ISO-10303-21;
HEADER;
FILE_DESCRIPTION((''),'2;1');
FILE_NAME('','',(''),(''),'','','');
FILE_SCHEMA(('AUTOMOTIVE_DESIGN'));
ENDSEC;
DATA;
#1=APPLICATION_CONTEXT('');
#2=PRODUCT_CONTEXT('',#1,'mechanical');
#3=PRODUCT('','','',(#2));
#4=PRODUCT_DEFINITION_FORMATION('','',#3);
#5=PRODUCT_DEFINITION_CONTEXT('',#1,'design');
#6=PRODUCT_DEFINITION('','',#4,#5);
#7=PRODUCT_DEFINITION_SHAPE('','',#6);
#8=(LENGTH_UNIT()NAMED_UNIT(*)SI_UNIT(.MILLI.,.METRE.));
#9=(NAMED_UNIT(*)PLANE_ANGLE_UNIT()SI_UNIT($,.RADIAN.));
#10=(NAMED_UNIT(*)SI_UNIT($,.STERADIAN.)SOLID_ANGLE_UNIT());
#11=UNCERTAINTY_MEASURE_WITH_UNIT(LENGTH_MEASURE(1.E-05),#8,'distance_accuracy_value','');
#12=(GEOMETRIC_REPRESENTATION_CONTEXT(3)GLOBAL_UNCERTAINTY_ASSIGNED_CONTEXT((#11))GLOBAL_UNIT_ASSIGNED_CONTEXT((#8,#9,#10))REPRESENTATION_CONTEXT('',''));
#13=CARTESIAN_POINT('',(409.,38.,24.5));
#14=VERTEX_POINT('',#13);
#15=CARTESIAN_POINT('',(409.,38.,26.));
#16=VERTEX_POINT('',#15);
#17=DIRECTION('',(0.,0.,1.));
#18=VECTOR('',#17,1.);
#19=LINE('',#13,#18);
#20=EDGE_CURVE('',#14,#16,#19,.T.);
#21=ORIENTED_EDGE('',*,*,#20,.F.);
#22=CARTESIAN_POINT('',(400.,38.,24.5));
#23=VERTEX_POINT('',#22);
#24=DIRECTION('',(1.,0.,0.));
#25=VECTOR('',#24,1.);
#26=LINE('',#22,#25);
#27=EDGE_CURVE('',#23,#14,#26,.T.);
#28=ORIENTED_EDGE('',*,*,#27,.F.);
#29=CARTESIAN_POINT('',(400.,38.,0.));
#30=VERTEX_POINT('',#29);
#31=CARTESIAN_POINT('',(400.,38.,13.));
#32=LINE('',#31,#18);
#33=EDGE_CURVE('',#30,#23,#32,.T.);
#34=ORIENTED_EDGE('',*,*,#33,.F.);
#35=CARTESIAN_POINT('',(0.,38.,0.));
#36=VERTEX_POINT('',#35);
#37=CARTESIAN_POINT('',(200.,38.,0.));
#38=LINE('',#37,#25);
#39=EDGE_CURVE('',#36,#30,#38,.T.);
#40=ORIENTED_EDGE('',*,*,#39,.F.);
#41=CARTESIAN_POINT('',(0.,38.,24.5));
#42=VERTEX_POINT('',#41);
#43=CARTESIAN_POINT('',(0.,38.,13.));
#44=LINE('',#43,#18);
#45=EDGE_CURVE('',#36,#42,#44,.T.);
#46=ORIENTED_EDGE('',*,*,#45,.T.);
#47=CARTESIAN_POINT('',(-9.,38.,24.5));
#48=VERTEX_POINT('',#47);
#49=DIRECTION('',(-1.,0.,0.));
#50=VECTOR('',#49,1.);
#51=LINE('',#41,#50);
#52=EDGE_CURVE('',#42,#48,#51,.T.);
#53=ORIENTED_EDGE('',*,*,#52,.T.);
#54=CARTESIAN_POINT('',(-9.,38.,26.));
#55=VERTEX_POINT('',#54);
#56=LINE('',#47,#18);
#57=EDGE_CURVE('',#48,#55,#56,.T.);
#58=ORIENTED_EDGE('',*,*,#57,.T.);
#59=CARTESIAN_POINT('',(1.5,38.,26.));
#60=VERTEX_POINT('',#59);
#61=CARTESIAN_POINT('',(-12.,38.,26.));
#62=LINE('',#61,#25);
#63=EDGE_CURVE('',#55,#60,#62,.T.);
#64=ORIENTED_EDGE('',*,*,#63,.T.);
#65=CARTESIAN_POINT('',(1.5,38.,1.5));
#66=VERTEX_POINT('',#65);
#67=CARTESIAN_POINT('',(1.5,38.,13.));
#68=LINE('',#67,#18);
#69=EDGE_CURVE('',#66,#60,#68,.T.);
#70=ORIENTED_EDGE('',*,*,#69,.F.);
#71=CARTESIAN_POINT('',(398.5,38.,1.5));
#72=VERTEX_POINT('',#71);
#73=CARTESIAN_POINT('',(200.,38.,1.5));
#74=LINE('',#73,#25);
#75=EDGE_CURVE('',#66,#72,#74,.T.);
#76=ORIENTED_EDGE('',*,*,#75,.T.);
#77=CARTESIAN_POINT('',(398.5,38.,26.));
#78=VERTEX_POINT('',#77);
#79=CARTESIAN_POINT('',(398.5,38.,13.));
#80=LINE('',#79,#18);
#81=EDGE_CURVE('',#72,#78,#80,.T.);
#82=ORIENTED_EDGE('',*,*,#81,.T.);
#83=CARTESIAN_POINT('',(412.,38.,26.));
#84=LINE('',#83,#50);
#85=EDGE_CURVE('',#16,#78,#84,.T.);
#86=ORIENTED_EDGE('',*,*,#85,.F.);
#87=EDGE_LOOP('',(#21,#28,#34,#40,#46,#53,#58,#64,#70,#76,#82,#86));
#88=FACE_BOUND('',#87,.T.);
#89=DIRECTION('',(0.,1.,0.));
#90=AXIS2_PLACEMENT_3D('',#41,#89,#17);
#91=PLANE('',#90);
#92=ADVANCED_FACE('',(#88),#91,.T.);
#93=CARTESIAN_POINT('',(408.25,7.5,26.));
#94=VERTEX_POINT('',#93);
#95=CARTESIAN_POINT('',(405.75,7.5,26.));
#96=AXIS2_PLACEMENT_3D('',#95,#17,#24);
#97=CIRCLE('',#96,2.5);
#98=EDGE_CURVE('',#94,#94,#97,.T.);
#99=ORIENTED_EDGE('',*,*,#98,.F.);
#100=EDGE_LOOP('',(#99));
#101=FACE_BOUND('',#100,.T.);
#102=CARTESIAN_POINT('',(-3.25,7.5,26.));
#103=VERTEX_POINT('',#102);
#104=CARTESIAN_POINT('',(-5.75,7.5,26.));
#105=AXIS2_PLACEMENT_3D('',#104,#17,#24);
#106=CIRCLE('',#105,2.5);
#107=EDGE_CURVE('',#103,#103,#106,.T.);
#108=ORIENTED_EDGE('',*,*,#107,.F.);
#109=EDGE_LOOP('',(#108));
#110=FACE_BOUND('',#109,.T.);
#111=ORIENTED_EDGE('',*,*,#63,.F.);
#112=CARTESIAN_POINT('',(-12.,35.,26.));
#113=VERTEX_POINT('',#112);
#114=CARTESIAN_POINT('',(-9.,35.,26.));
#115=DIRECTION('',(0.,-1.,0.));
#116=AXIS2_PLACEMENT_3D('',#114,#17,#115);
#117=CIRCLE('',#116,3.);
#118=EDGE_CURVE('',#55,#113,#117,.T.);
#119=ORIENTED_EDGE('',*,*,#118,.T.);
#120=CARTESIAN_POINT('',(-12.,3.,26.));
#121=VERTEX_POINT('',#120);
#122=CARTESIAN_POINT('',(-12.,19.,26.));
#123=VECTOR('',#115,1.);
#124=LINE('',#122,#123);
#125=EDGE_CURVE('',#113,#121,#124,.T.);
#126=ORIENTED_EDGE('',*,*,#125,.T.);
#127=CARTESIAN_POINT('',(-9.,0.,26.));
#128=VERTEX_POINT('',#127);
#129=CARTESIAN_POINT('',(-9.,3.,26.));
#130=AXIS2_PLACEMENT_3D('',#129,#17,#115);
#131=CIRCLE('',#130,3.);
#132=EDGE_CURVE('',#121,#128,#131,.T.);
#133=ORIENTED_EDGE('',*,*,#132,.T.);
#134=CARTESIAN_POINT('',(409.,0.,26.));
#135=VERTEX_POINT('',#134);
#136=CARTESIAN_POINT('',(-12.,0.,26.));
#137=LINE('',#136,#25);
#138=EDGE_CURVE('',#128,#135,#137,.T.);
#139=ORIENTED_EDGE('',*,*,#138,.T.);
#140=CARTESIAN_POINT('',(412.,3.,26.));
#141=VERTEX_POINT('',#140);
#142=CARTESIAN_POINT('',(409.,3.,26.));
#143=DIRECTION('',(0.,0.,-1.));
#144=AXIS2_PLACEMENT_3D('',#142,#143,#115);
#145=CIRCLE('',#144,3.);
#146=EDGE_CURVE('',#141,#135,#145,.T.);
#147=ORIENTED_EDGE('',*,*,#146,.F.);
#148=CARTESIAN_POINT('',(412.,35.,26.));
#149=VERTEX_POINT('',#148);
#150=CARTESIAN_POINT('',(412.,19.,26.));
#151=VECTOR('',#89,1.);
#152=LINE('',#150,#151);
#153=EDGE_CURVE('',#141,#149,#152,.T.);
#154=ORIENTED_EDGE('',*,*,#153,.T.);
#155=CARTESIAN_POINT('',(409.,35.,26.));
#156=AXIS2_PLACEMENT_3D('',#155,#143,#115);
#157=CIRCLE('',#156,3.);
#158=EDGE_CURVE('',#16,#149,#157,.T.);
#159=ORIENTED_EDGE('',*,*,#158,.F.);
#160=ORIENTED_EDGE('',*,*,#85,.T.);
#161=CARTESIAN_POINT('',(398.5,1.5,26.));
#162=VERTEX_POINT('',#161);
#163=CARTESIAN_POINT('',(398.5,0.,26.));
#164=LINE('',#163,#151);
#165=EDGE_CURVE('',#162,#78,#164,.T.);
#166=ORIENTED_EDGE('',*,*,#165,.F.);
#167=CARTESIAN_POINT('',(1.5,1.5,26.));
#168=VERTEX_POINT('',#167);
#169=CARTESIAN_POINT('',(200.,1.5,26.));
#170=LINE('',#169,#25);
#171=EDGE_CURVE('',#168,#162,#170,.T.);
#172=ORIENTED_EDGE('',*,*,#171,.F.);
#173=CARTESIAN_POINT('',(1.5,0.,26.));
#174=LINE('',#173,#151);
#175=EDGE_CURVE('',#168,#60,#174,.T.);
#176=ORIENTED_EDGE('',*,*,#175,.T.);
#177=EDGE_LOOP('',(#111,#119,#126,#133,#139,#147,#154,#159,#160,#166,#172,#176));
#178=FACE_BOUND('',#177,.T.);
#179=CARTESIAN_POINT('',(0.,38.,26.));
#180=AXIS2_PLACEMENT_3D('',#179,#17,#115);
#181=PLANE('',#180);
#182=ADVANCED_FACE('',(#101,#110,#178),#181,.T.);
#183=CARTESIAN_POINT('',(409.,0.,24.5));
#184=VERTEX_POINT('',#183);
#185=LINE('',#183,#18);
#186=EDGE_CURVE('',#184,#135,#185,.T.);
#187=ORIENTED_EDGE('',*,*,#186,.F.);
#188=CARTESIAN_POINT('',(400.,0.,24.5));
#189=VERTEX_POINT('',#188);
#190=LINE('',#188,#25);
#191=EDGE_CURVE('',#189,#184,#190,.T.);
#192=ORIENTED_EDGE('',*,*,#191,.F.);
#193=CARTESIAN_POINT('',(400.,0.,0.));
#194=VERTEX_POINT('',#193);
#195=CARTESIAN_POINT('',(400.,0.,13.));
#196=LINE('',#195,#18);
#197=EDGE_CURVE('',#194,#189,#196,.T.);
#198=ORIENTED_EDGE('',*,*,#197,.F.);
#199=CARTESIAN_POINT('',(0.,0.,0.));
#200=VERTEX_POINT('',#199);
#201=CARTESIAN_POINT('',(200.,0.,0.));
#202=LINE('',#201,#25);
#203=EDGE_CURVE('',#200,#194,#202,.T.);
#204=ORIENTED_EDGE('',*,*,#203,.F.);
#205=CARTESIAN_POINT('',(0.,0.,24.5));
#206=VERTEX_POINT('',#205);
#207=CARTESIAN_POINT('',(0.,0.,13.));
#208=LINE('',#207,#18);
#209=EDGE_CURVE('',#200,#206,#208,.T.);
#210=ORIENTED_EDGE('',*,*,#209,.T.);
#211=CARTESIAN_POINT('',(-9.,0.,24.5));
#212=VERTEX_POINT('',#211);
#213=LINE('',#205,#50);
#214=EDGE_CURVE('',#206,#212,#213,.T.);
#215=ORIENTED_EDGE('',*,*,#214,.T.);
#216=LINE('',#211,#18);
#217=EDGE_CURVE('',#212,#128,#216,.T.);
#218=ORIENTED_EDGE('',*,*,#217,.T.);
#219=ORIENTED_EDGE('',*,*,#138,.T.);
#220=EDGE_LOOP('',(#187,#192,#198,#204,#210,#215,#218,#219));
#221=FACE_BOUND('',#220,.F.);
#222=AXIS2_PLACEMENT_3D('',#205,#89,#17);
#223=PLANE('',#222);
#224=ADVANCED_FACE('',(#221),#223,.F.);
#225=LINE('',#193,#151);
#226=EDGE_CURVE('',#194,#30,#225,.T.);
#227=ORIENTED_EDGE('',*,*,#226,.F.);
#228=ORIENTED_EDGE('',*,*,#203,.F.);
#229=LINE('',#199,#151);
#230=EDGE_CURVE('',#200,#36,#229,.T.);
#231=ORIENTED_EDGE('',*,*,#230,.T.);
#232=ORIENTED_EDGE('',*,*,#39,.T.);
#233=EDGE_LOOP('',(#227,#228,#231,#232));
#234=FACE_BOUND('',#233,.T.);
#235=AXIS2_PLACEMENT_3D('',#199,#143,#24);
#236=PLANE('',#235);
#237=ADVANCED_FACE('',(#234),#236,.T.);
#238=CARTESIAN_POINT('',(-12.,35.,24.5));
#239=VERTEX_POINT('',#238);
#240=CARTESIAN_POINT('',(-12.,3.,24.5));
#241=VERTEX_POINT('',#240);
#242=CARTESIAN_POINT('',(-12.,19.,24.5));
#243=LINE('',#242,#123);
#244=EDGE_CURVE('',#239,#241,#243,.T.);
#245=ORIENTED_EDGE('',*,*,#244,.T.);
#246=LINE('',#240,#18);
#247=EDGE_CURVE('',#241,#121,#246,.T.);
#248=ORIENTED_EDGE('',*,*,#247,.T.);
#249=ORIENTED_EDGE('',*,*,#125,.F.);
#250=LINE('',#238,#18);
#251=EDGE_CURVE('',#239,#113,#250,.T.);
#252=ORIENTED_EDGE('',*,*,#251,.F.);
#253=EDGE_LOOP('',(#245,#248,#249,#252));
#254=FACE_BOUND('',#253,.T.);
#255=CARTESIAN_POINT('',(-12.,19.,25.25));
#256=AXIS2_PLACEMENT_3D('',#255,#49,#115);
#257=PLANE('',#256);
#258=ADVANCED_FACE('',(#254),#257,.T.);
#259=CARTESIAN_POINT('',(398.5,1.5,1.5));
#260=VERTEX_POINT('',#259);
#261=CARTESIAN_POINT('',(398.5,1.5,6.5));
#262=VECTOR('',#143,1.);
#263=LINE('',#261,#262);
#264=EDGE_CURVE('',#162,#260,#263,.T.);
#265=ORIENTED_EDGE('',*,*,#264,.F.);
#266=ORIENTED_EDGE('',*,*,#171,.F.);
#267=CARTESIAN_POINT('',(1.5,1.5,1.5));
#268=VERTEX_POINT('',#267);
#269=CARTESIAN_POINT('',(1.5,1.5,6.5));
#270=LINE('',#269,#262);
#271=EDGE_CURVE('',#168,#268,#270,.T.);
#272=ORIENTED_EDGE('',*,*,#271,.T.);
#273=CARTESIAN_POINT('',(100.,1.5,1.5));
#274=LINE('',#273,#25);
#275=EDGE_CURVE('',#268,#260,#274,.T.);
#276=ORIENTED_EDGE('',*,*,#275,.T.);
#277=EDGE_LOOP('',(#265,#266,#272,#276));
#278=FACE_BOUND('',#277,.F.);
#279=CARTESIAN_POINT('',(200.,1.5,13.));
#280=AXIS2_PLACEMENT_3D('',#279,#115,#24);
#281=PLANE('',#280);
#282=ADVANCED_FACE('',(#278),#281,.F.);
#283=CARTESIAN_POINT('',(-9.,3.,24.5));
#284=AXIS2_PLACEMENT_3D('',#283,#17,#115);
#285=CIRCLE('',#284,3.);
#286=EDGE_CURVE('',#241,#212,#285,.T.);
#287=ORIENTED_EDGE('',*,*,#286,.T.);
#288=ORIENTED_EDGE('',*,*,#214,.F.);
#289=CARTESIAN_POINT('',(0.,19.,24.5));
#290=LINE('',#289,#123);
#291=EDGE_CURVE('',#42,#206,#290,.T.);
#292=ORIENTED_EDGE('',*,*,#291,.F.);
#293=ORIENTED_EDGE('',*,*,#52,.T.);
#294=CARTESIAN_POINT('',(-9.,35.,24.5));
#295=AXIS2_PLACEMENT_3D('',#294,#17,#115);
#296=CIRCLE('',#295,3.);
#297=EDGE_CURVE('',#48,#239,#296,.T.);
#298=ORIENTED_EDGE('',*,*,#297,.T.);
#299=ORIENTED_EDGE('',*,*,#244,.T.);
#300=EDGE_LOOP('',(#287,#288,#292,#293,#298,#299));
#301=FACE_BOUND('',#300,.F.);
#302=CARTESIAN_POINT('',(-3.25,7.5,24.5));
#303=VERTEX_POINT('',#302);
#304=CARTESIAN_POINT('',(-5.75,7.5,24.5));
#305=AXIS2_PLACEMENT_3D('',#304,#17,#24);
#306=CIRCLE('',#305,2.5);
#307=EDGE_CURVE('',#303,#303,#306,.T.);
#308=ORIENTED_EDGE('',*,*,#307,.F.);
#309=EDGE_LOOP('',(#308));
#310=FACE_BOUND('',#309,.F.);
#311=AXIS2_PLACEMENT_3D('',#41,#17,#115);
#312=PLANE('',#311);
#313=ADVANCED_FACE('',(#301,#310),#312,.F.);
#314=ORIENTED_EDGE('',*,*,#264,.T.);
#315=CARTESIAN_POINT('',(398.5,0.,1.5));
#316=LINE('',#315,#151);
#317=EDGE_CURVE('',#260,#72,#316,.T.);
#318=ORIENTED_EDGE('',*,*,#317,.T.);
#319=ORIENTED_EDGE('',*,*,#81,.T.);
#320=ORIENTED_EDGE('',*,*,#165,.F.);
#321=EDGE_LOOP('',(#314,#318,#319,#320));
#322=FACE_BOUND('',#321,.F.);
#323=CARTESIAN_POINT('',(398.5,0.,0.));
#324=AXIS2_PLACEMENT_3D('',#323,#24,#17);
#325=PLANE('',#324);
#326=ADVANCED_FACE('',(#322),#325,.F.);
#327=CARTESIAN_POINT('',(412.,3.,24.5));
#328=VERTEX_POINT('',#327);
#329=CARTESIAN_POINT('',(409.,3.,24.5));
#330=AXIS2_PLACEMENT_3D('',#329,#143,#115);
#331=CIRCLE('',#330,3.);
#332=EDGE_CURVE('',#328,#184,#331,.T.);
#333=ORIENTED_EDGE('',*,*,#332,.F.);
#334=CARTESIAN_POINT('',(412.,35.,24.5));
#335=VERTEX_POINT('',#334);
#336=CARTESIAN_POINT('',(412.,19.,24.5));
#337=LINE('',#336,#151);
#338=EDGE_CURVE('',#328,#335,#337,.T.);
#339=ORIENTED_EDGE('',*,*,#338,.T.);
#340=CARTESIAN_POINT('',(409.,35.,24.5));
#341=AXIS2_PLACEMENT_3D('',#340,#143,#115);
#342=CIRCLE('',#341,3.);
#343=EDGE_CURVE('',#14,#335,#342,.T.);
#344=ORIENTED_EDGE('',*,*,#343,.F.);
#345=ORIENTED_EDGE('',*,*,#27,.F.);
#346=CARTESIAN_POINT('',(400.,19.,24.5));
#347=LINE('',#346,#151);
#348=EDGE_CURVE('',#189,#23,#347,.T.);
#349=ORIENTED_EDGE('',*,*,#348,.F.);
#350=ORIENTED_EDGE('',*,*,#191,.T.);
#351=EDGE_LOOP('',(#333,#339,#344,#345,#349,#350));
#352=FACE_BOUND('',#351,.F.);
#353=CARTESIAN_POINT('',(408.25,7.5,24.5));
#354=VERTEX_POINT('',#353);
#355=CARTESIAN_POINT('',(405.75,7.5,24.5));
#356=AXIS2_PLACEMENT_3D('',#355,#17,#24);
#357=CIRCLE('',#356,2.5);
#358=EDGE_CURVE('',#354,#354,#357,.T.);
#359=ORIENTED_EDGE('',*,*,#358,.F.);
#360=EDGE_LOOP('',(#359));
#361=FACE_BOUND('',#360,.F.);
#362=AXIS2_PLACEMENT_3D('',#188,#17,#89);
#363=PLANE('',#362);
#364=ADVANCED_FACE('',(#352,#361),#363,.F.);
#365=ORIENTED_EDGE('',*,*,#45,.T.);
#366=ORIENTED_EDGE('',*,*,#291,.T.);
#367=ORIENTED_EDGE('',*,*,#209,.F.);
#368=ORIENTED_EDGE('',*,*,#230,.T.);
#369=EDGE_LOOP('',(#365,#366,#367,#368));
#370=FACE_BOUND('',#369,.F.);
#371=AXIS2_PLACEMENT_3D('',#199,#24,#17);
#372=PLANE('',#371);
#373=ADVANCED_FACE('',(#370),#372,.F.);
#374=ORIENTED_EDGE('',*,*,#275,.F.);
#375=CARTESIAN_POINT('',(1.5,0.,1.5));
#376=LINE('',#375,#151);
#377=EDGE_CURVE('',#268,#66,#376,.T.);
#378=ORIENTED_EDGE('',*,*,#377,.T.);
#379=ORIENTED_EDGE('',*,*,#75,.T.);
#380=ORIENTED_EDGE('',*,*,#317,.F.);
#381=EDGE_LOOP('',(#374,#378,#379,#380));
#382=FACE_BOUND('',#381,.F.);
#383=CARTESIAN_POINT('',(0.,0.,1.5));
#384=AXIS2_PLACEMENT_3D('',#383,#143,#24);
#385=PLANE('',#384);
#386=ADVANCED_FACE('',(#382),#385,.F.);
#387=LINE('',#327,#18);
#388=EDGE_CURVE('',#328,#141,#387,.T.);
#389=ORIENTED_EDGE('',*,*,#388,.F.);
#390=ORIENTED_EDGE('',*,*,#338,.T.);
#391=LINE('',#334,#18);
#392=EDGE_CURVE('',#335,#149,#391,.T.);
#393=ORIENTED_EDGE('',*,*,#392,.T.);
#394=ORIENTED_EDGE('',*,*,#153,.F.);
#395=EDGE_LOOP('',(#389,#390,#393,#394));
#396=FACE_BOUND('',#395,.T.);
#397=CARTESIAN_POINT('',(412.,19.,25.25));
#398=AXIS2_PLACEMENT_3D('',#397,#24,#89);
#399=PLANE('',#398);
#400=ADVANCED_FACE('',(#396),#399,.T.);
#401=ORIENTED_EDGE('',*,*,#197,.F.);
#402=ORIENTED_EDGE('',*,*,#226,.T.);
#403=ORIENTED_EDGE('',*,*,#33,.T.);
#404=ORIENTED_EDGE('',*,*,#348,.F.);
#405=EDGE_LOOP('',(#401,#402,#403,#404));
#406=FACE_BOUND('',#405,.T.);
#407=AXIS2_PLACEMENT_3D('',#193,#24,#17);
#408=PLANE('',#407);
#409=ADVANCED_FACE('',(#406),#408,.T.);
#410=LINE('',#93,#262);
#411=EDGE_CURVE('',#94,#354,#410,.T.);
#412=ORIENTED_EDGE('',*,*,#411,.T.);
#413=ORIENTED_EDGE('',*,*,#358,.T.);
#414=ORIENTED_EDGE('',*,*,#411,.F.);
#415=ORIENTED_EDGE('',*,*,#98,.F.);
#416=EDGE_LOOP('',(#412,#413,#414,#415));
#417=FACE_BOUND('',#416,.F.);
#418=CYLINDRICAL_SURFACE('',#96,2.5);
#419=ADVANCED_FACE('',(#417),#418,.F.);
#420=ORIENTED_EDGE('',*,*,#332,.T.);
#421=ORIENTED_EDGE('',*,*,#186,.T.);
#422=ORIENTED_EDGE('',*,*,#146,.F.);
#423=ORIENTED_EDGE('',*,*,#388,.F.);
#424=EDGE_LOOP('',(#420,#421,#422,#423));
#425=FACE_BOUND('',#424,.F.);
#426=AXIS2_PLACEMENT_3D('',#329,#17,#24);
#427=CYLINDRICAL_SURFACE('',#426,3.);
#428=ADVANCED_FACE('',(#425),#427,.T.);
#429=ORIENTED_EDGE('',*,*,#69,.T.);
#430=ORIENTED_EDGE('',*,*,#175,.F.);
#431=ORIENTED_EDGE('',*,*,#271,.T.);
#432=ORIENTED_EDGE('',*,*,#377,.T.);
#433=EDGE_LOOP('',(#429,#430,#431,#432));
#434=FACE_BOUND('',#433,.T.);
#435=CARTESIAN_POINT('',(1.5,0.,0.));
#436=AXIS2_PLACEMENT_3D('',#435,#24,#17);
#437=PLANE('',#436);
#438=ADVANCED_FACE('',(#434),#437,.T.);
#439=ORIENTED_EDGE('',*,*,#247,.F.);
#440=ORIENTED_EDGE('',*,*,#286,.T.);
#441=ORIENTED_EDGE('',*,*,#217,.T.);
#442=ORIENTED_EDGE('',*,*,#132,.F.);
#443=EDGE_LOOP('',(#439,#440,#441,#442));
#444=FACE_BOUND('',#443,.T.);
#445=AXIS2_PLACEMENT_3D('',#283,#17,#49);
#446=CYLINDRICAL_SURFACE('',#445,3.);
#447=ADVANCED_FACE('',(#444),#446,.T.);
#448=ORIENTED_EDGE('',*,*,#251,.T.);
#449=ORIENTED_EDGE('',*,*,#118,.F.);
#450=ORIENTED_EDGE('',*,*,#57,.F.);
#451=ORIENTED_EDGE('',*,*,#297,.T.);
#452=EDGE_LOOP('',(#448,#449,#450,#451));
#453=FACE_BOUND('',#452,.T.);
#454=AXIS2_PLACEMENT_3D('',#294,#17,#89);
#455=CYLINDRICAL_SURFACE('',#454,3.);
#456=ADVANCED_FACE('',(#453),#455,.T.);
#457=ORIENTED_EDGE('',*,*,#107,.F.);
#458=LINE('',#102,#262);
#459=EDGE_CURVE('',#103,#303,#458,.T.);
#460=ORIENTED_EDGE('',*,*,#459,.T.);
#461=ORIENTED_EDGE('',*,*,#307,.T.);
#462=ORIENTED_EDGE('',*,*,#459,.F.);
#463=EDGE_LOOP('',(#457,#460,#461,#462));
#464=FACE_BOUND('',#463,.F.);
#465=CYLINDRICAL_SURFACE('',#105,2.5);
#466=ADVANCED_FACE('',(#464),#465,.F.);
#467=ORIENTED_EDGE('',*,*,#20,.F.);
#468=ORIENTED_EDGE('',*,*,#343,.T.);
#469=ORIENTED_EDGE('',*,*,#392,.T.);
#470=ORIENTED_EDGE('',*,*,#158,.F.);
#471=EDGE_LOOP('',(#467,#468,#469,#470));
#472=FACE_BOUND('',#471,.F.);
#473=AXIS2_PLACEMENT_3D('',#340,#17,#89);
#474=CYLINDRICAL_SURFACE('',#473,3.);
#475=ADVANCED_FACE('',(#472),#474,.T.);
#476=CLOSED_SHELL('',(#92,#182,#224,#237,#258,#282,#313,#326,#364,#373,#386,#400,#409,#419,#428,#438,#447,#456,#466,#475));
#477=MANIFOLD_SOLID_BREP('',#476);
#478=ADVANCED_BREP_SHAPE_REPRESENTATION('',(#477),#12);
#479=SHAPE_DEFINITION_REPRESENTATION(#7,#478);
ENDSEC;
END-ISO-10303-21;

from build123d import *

# Parameters (mm, degrees)
F0_W     = 400
F0_H     = 26
F1_DEPTH = 38
F2_T     = -1.5
F3_W     = 38
F3_H     = 1.5
F4_DEPTH = 12
F5_W     = 38
F5_H     = 1.5
F6_DEPTH = 12
F7_R     = 2.5
F8_DEPTH = 1.5
F9_R     = 3


with BuildPart() as f1:
    # F0 (on Front) → F1 (new body)
    with BuildSketch(Plane.XZ):
        with Locations((200, 13)):
            Rectangle(F0_W, F0_H)
    extrude(amount=-F1_DEPTH)

    # F2
    f2_openings = [f1.faces().sort_by_distance(p)[0] for p in [
        (200, 19, 26),
        (200, 38, 13),
    ]]
    offset(amount=F2_T, openings=f2_openings)

    # F3 (on face) → F4 (join)
    with BuildSketch(Plane.YZ.offset(400)):
        with Locations((19, 25.25)):
            Rectangle(F3_W, F3_H)
    extrude(amount=F4_DEPTH)

    # F5 (on face) → F6 (join)
    with BuildSketch(Plane(origin=(0, 0, 0), x_dir=(0, -1, 0), z_dir=(-1, 0, 0))):
        with Locations((-19, 25.25)):
            Rectangle(F5_W, F5_H)
    extrude(amount=F6_DEPTH)

    # F7 (on face) → F8 (cut, through all)
    with BuildSketch(Plane.XY.offset(26)):
        with Locations((405.75, 7.5)):
            Circle(F7_R)
        with Locations((-5.75, 7.5)):
            Circle(F7_R)
    extrude(amount=-F8_DEPTH, mode=Mode.SUBTRACT)

    # F9
    f9_edges = [f1.edges().sort_by_distance(p)[0] for p in [
        (-12, 0, 25.25),
        (-12, 38, 25.25),
        (412, 0, 25.25),
        (412, 38, 25.25),
    ]]
    fillet(f9_edges, radius=F9_R)


solid = f1.part
